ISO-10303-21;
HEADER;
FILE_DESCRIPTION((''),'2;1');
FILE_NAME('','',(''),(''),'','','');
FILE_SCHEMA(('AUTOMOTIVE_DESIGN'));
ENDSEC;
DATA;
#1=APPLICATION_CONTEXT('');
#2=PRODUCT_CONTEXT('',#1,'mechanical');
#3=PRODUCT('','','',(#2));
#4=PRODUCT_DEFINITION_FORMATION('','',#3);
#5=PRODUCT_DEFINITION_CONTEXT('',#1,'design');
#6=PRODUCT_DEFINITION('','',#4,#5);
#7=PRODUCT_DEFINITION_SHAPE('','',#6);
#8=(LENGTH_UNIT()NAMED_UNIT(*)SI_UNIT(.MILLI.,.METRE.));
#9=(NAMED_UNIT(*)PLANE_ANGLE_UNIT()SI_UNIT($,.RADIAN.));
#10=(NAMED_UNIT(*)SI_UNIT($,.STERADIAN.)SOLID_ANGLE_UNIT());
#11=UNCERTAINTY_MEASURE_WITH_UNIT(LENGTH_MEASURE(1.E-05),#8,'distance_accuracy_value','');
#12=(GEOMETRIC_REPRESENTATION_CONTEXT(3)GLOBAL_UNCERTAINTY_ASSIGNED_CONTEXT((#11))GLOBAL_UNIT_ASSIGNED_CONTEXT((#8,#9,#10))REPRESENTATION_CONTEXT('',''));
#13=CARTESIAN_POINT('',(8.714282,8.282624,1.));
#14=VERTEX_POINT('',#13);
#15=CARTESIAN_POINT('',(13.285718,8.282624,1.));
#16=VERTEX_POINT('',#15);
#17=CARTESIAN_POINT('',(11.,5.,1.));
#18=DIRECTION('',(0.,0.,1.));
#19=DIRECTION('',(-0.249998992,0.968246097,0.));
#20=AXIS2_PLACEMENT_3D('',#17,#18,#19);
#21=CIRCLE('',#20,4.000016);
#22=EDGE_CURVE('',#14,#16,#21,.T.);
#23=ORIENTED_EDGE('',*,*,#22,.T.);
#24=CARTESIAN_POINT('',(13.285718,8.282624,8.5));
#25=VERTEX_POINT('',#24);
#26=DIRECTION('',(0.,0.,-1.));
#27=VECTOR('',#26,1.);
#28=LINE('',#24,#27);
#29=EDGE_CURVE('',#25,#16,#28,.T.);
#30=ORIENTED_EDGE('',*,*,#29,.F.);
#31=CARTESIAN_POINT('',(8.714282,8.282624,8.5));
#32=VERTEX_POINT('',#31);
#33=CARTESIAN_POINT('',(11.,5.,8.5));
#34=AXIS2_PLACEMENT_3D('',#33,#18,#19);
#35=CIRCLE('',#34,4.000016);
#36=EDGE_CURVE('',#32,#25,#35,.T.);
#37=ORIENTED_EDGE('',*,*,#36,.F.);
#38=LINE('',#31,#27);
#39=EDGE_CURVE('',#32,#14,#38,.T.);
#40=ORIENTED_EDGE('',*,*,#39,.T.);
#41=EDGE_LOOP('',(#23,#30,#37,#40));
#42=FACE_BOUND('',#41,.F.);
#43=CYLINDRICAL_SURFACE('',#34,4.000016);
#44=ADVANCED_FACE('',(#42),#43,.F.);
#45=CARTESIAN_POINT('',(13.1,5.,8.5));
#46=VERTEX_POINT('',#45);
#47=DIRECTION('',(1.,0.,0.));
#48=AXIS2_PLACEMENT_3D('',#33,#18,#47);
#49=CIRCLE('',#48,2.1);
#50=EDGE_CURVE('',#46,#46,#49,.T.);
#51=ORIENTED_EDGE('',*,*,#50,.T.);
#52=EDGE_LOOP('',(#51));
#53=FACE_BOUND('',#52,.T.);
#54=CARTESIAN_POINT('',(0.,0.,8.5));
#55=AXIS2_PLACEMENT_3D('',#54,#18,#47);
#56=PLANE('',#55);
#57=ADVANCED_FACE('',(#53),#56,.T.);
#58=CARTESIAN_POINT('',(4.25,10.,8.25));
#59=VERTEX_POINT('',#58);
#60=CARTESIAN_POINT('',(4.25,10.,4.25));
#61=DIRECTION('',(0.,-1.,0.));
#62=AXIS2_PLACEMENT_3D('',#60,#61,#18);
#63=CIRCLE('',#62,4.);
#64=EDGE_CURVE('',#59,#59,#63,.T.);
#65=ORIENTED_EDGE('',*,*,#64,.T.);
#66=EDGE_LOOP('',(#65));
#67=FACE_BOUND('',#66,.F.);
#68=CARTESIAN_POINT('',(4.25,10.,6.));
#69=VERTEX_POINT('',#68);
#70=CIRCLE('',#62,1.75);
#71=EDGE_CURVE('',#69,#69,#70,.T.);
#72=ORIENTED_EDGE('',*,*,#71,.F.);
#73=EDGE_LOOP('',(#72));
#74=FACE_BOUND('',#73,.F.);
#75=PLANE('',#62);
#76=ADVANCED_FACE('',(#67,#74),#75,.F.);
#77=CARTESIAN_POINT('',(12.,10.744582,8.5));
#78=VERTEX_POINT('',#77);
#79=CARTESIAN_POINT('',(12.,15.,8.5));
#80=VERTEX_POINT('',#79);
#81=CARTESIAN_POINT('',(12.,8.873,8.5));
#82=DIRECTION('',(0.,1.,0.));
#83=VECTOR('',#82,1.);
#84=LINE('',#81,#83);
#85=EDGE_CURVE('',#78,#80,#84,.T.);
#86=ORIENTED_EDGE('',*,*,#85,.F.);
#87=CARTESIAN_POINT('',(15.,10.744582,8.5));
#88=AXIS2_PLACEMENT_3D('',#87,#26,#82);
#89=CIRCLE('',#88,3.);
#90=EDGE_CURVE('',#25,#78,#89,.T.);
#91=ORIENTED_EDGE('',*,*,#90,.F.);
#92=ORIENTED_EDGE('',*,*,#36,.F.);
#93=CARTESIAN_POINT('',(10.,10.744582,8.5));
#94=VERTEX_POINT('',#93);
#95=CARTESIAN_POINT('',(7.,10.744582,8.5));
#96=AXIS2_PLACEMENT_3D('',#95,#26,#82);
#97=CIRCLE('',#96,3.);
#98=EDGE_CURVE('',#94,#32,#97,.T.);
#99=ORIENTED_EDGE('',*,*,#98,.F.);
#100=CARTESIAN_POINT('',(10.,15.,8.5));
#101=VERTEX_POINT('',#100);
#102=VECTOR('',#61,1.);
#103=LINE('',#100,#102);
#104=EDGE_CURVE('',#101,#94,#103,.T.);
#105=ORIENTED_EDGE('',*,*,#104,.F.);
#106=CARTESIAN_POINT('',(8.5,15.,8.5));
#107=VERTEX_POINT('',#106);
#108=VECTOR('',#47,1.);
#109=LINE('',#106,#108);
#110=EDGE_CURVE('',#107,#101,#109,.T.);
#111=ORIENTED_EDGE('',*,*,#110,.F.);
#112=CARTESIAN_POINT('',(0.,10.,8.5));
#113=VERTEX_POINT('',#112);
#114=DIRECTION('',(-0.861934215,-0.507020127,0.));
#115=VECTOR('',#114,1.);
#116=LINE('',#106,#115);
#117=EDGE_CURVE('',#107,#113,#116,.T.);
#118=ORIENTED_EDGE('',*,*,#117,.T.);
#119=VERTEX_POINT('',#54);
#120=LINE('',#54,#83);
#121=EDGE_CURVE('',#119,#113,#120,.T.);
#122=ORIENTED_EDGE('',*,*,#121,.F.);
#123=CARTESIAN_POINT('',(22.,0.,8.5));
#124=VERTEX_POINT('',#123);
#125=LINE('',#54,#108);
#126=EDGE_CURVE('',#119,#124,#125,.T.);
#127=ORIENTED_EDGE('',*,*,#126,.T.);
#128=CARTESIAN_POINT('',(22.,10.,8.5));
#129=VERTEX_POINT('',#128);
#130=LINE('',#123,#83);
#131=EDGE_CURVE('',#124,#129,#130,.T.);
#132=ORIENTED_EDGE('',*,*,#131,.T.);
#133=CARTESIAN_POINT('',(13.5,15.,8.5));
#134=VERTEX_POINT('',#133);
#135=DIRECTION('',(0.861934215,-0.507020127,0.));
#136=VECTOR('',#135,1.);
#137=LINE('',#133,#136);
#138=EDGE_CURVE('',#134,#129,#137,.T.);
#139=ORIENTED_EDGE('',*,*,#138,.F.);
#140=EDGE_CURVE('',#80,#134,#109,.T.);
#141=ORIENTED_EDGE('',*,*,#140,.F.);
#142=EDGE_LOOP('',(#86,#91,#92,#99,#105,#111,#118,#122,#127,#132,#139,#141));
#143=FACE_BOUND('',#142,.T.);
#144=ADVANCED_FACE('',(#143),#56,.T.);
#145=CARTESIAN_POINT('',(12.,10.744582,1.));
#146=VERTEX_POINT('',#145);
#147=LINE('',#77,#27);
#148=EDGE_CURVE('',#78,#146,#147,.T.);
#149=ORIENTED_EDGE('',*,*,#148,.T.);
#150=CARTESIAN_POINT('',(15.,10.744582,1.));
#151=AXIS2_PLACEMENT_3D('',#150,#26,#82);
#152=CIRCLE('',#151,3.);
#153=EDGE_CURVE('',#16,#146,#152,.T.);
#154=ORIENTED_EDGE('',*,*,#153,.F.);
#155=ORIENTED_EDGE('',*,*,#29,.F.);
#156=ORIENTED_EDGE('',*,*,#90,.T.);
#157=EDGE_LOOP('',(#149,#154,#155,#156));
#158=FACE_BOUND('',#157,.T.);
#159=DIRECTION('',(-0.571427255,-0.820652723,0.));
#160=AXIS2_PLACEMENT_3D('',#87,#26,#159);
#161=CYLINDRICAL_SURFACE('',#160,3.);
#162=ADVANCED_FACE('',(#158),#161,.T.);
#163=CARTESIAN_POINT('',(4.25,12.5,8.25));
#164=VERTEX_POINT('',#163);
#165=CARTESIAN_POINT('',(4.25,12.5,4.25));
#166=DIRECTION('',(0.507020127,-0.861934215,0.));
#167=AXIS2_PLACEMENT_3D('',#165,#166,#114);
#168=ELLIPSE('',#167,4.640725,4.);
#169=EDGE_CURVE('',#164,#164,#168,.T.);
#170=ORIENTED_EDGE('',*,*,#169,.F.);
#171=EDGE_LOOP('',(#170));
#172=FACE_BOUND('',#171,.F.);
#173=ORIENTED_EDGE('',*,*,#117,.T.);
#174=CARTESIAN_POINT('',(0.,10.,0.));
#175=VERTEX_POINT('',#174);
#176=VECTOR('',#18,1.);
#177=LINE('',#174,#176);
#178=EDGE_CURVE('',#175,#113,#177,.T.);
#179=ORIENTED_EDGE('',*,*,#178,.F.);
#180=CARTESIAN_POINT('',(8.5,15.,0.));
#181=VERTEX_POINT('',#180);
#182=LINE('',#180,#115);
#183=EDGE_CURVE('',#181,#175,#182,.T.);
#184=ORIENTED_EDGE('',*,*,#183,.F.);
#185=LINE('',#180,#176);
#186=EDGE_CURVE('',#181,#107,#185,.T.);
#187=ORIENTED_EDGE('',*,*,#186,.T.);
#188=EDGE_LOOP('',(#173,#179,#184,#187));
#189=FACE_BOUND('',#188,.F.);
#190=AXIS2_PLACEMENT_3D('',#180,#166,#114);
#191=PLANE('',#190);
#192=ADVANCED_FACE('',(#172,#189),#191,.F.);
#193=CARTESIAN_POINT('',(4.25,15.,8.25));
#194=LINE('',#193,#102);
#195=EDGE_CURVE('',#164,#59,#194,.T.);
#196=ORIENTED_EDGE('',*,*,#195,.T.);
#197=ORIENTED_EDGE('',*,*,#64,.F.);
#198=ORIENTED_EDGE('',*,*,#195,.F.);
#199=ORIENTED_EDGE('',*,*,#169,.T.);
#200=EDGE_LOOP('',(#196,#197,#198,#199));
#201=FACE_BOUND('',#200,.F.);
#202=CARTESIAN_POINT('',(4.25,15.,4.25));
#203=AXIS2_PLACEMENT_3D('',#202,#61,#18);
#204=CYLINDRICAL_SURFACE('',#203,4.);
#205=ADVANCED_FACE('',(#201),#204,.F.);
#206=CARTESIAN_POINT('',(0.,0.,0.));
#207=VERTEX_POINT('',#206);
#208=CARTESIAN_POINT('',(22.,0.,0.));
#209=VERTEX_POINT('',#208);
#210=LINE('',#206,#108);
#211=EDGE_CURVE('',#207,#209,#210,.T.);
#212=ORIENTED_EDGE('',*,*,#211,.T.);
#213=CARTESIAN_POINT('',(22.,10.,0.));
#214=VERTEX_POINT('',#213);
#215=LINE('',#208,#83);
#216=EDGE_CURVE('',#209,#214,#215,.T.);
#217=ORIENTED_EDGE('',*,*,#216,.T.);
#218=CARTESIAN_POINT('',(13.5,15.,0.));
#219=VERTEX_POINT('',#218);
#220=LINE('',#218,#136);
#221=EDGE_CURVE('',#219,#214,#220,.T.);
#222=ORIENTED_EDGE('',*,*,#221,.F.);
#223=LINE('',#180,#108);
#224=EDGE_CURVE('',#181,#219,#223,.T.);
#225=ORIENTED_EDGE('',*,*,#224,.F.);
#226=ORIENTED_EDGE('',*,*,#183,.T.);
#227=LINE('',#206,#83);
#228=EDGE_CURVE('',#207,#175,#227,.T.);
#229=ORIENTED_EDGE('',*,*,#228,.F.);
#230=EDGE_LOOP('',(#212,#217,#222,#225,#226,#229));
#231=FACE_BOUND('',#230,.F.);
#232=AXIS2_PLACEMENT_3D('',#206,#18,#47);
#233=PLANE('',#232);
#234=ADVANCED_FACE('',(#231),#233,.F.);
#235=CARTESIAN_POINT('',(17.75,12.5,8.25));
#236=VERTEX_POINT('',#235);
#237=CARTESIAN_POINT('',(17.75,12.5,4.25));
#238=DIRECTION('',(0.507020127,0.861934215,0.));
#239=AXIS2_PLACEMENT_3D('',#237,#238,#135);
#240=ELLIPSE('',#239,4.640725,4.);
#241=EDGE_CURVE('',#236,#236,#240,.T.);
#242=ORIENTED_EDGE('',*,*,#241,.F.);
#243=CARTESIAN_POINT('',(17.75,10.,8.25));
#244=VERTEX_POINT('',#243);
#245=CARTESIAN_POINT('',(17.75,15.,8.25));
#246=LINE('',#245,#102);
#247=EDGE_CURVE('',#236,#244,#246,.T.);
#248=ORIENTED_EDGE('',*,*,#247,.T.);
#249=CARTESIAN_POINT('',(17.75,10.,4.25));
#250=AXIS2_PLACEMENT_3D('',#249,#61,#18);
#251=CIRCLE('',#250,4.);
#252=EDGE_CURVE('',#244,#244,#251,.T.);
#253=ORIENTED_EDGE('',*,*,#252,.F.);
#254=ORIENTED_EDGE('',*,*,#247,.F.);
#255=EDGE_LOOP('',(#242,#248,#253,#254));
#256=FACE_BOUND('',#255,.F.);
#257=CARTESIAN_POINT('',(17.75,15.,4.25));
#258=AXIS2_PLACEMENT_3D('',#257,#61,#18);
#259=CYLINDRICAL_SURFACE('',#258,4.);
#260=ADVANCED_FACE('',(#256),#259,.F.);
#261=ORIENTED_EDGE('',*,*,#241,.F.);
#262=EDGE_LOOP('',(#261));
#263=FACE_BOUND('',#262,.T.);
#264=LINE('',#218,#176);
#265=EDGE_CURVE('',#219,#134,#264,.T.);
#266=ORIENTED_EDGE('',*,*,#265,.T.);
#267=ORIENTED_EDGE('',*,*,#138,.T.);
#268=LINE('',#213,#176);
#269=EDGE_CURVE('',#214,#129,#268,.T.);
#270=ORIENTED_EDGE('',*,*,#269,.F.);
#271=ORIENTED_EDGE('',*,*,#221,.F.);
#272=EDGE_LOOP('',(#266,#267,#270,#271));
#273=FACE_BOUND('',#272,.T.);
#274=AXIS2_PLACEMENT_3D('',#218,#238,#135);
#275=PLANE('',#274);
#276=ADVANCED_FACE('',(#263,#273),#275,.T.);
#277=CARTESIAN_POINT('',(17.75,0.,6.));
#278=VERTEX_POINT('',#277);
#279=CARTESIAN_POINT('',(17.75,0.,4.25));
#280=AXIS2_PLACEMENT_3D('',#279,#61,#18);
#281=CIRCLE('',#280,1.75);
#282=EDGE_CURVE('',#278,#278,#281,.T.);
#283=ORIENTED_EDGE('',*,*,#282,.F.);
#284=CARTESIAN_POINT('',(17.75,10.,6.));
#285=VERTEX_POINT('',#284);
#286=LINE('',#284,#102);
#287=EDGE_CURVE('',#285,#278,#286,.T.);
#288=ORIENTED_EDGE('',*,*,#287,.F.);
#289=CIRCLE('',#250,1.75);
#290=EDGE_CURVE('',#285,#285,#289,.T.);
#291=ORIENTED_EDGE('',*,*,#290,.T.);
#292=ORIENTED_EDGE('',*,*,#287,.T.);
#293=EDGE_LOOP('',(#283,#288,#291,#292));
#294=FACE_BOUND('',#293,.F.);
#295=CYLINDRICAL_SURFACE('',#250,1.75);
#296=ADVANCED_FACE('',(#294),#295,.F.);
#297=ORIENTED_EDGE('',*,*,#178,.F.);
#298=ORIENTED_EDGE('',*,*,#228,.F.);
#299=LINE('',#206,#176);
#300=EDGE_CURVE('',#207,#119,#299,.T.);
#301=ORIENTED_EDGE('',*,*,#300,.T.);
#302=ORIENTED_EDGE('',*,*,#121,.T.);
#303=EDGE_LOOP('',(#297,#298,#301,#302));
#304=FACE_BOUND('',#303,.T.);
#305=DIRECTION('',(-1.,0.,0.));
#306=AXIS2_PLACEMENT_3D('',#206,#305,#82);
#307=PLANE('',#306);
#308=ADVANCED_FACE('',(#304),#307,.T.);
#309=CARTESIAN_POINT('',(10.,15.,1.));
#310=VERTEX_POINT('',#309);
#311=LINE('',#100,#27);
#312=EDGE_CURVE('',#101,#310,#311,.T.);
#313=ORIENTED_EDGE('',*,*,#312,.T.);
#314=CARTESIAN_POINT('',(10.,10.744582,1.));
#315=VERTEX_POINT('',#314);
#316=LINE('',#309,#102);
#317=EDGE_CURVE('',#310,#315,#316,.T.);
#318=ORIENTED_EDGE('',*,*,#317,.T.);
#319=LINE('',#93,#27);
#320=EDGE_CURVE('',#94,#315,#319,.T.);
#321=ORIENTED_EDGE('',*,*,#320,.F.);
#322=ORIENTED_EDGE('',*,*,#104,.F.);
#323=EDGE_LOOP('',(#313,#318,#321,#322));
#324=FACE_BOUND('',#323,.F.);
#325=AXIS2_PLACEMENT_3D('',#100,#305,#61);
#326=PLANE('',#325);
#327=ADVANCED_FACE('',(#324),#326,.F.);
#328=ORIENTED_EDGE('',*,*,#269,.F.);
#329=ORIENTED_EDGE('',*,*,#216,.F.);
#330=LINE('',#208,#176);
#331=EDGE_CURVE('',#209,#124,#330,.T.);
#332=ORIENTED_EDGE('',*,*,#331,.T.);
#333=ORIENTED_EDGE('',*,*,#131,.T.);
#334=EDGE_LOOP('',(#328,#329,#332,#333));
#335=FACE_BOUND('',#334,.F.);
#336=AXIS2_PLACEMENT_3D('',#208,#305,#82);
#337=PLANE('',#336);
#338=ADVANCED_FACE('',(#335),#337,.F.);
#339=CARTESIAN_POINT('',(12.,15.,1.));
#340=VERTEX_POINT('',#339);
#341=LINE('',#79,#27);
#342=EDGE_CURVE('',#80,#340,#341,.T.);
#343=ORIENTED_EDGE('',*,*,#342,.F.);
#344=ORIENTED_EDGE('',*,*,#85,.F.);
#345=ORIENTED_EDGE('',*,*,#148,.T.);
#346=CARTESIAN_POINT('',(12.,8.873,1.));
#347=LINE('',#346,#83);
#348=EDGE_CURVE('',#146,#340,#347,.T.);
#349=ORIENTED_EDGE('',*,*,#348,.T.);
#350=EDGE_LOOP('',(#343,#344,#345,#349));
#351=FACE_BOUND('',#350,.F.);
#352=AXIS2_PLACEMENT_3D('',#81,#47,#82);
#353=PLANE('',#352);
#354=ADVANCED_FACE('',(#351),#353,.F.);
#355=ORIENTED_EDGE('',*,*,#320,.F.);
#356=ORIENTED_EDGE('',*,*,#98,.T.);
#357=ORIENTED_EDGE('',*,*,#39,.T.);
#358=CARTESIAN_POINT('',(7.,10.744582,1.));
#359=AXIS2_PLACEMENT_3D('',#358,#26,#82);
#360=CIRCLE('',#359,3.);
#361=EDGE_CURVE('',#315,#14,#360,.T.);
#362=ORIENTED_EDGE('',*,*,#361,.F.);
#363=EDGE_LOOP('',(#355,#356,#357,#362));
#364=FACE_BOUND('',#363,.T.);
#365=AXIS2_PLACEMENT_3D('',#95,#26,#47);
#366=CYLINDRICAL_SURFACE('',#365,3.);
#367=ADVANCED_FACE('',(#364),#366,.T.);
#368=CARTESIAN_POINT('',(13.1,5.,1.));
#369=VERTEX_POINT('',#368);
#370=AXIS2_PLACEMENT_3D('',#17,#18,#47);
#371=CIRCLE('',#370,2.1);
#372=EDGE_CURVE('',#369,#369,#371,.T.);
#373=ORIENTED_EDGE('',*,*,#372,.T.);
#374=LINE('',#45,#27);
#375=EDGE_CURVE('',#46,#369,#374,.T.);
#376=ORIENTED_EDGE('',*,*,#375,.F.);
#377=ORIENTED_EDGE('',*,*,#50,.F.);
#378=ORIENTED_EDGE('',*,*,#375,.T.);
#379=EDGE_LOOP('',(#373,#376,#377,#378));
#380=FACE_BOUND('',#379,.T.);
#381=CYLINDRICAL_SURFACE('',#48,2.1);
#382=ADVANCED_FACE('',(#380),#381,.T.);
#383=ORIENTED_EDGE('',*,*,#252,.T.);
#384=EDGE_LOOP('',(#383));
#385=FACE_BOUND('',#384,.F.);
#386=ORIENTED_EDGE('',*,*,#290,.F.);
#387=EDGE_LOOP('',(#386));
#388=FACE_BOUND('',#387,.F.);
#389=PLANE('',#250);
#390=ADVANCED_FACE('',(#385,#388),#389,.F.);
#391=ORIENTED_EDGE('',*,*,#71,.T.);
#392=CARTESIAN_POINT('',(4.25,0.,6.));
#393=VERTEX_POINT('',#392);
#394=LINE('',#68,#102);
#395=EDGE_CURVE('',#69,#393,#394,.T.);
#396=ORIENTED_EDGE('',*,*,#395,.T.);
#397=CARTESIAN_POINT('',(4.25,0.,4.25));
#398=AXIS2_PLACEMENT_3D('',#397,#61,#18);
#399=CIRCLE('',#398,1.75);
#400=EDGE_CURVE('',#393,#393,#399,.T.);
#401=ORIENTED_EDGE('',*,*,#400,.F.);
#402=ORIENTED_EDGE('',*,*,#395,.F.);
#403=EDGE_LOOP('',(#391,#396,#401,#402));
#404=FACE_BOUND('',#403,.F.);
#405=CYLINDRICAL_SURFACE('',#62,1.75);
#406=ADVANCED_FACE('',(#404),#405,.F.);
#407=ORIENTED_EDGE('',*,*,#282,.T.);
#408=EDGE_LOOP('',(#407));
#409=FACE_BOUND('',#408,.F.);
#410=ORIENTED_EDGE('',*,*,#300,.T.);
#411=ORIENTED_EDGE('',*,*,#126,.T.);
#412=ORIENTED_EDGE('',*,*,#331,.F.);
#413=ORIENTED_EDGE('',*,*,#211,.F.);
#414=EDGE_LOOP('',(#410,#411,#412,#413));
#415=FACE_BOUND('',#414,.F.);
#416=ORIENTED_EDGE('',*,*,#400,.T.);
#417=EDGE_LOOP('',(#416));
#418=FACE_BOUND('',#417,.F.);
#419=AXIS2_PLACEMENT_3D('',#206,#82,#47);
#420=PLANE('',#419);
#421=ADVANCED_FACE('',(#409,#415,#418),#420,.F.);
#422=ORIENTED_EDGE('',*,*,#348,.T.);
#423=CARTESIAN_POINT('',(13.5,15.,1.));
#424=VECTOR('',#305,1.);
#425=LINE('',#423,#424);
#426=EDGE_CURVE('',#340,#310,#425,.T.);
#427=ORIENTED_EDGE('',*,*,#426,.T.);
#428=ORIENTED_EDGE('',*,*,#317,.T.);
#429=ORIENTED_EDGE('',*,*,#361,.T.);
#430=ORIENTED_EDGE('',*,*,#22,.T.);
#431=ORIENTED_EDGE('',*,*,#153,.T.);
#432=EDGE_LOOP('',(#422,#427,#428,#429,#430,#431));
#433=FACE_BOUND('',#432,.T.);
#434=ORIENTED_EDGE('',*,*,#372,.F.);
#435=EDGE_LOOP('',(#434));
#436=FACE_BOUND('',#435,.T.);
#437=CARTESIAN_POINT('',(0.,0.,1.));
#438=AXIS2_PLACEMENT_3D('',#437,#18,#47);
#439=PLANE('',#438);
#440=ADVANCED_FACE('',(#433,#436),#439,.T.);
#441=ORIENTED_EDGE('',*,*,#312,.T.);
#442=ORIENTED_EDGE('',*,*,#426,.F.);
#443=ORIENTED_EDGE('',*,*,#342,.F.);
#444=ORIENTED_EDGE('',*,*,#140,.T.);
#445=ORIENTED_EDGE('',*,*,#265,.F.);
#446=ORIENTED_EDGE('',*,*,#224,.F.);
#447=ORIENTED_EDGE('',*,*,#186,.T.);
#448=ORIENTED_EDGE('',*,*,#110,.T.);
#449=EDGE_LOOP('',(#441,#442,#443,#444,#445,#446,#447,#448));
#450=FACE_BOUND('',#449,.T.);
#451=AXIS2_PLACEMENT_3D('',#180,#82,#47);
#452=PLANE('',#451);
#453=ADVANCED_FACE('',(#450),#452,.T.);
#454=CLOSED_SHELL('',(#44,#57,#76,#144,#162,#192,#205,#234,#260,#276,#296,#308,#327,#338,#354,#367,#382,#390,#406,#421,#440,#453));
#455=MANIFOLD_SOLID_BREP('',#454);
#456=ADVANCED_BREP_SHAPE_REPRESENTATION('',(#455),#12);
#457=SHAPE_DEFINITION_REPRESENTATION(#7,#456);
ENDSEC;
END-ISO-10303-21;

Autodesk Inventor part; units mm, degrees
ref_plane "YZ Plane" through (0, 0, 0) normal (1, 0, 0) x (0, 1, 0)
ref_plane "XZ Plane" through (0, 0, 0) normal (0, 1, 0) x (-1, 0, 0)
ref_plane "XY Plane" through (0, 0, 0) normal (0, 0, 1) x (1, 0, 0)
sketch "Sketch1" plane through (0, 0, 0) normal (0, 0, 1) x (1, 0, 0)
  line L0 (0, 0) -> (22, 0)
  line L1 (22, 0) -> (22, 10)
  line L2 (0, 0) -> (0, 10)
  line L3 (8.5, 15) -> (13.5, 15)
  line L4 (13.5, 15) -> (22, 10)
  line L5 (8.5, 15) -> (0, 10)
  dimension "d0" = 22
  dimension "d1" = 10
  dimension "d2" = 5
  dimension "d3" = 5
extrude "Extrusion1" add sketch "Sketch1" along normal blind 8.5
sketch "Sketch2" plane through (0, 0, 8.5) normal (0, 0, 1) x (1, 0, 0)
  line L0 (0, 0) -> (22, 0) projected
  line L1 (22, 0) -> (22, 10) projected
  line L2 (13.5, 15) -> (8.5, 15) projected
  arc A0 (10, 8.873) -> (12, 8.873) centre (11, 5) ccw
  circle A1 centre (11, 5) radius 2.1
  line L3 (10, 15) -> (10, 8.873)
  line L4 (12, 8.873) -> (12, 15)
  dimension "d6" = 8
  dimension "d7" = 4.2
  dimension "d8" = 5
  dimension "d9" = 11
  dimension "d10" = 2
  dimension "d11" = 1
extrude "Extrusion2" cut sketch "Sketch2" against normal blind 7.5
fillet "Fillet1" radius 3 2 edges at (12, 8.873, 4.75) (10, 8.873, 4.75)
sketch "Sketch3" plane through (8.5, 15, 0) normal (0, 1, 0) x (1, 0, 0)
  line L0 (13.5, 0) -> (5, 0) projected
  line L1 (5, 0) -> (5, -8.5) projected
  line L2 (13.5, -8.5) -> (5, -8.5) projected
  line L3 (13.5, 0) -> (13.5, -8.5) projected
  line L4 (0, 0) -> (-8.5, 0) projected
  line L5 (-8.5, 0) -> (-8.5, -8.5) projected
  line L6 (0, -8.5) -> (-8.5, -8.5) projected
  line L7 (0, 0) -> (0, -8.5) projected
  point P0 (9.25, -4.25)
  point P1 (-4.25, -4.25)
  dimension "d15" = 13.5
  dimension "d16" = 4.25
  dimension "d17" = 4.25
hole "Hole1" at (17.75, 15, 4.25) at (4.25, 15, 4.25) direction (0, -1, 0) diameter 3.5 end through all counterbore diameter 8 counterbore depth 5
properties part number "XCarriageBeltClipRound"
